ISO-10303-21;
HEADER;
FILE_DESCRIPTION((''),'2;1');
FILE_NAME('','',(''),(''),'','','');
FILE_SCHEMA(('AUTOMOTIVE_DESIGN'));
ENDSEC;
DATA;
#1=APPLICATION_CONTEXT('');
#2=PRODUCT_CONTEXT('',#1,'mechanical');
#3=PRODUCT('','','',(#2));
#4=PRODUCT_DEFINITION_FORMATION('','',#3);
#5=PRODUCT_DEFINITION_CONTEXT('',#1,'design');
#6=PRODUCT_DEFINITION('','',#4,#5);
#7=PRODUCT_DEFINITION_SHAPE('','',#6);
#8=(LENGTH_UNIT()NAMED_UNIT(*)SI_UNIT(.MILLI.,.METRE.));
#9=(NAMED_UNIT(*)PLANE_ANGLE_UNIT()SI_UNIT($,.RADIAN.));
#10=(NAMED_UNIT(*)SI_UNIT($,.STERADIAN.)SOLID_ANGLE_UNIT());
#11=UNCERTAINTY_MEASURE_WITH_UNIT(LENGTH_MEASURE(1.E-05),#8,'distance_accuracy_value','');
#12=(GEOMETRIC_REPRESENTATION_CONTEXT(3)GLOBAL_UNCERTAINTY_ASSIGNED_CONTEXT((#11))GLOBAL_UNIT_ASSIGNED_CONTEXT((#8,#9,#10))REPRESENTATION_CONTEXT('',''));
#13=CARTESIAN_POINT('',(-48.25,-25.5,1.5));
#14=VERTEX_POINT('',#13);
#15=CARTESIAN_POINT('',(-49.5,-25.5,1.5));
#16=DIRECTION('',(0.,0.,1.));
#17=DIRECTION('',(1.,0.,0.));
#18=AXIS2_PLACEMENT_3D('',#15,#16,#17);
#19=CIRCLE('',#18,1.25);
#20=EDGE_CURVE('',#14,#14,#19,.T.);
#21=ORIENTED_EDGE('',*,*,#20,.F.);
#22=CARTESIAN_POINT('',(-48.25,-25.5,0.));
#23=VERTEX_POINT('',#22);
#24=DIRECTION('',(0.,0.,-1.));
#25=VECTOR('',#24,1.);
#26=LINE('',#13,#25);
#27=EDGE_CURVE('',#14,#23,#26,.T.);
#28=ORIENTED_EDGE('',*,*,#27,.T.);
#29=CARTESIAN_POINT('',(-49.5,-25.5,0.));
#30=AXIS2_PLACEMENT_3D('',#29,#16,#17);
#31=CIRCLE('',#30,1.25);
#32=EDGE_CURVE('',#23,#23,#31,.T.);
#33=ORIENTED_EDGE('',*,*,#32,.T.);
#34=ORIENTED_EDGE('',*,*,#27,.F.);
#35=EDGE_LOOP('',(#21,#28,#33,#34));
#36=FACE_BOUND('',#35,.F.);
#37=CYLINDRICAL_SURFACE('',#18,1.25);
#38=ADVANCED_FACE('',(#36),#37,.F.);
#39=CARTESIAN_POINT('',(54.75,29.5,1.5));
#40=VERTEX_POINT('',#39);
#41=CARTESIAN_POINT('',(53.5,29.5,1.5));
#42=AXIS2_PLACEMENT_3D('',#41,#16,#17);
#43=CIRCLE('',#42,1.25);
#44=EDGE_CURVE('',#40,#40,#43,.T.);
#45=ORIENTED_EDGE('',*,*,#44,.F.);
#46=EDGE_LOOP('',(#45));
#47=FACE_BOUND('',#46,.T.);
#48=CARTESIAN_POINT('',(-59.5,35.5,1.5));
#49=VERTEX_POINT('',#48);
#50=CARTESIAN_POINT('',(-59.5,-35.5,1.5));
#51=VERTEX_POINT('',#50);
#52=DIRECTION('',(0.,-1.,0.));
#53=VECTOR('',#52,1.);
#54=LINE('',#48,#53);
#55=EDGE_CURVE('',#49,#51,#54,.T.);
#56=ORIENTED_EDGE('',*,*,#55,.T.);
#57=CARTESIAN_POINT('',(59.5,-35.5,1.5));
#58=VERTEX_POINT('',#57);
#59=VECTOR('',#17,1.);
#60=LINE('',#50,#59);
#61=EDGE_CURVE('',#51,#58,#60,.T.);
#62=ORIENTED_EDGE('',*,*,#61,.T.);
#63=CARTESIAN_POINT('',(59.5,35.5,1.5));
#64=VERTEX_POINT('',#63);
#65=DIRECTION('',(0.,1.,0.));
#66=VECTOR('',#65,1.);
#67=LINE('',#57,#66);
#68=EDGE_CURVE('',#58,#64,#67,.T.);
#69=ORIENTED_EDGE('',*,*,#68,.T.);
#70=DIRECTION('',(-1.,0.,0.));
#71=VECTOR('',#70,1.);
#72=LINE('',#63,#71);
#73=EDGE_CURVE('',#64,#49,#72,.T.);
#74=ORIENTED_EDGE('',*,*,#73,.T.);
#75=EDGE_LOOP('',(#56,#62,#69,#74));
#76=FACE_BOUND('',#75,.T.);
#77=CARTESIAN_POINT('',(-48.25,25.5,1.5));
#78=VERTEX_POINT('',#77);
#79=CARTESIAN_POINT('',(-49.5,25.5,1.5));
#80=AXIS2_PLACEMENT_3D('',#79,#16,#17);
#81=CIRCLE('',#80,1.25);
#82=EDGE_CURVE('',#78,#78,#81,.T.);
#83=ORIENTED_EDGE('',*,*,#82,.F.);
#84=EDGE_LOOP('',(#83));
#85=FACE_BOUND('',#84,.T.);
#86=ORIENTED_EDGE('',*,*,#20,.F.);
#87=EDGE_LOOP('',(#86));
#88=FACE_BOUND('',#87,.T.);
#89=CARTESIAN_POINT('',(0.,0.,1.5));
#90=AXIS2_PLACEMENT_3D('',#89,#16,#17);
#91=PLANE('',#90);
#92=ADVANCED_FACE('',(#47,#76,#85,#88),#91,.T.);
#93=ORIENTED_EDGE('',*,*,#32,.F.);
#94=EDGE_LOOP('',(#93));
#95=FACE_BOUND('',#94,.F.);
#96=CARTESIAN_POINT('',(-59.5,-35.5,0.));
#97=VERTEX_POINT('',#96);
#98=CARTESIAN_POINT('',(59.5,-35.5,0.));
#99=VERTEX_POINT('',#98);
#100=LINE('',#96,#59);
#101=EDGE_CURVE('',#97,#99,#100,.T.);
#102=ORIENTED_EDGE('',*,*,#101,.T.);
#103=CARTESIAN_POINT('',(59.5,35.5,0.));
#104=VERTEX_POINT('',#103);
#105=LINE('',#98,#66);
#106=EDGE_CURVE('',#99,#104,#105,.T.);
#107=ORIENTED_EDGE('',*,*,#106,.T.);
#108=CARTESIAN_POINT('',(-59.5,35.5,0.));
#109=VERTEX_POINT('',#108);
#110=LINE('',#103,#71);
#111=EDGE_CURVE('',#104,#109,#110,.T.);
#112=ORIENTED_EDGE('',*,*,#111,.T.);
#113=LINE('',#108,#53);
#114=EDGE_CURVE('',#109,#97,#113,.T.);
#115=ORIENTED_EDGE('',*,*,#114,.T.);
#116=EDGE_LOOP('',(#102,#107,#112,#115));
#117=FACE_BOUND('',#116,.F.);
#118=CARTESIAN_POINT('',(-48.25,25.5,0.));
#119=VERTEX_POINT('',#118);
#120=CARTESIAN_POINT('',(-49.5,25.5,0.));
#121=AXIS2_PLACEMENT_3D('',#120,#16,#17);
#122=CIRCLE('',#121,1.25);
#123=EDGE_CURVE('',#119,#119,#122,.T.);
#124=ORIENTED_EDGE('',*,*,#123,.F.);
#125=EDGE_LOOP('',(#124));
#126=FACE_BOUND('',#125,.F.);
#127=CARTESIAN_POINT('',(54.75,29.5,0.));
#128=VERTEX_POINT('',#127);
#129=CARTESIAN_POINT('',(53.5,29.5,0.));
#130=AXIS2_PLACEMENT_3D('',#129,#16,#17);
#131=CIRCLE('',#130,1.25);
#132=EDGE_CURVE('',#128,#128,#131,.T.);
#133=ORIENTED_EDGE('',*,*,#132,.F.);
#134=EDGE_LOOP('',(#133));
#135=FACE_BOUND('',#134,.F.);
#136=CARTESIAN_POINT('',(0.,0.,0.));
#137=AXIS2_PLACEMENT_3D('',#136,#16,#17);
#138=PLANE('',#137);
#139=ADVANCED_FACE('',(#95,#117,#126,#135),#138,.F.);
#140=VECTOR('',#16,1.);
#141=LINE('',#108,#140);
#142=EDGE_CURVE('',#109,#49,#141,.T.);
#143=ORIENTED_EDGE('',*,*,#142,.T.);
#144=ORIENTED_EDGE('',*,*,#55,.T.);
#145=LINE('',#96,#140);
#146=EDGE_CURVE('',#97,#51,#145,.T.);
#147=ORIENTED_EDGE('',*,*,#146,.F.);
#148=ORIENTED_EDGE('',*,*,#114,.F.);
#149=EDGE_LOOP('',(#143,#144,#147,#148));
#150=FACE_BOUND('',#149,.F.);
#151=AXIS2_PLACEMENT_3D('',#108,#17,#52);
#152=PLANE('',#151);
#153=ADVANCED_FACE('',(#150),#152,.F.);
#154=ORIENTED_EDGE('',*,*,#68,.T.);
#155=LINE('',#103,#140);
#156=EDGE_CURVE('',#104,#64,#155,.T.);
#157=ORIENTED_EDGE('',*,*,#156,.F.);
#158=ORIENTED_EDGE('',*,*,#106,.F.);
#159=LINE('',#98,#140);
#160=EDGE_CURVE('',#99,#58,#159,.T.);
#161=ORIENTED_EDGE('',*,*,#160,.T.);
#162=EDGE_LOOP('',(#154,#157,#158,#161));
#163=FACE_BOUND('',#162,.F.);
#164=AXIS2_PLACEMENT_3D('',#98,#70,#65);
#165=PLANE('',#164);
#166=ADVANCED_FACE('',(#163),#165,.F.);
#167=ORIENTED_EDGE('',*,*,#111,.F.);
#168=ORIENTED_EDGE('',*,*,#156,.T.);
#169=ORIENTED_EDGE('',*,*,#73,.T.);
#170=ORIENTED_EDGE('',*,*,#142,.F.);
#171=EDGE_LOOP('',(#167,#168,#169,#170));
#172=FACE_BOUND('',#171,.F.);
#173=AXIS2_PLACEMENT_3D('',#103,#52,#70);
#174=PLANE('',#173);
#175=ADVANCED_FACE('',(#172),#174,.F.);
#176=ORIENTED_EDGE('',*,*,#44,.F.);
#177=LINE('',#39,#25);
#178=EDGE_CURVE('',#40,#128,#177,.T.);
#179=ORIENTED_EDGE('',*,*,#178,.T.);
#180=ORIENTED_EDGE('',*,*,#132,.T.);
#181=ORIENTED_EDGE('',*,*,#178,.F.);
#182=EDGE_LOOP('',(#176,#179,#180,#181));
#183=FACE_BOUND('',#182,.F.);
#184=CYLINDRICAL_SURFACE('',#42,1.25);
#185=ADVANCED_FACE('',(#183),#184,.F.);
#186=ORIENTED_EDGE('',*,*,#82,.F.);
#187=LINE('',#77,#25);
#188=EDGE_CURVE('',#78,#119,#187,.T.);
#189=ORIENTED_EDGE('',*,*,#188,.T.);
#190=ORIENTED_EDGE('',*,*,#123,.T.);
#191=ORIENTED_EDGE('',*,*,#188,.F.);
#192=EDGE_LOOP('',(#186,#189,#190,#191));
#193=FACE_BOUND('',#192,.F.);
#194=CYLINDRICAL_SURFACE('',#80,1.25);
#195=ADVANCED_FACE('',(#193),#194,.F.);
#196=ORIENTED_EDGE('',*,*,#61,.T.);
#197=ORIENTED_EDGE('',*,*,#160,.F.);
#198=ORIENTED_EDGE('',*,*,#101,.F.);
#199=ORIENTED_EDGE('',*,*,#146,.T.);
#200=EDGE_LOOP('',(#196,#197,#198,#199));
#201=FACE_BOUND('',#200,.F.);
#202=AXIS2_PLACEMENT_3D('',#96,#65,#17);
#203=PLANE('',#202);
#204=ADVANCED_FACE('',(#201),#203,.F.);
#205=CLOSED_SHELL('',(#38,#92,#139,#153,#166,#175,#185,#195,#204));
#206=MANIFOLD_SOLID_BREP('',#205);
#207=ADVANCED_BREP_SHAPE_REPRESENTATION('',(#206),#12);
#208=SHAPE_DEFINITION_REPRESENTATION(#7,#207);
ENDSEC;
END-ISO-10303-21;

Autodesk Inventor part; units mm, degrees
ref_plane "YZ Plane" through (0, 0, 0) normal (1, 0, 0) x (0, 1, 0)
ref_plane "XZ Plane" through (0, 0, 0) normal (0, 1, 0) x (-1, 0, 0)
ref_plane "XY Plane" through (0, 0, 0) normal (0, 0, 1) x (1, 0, 0)
sketch "Schizzo1" plane through (0, 0, 0) normal (0, 0, 1) x (1, 0, 0)
  line L0 (-59.5, -35.5) -> (59.5, -35.5)
  line L1 (59.5, -35.5) -> (59.5, 35.5)
  line L2 (59.5, 35.5) -> (-59.5, 35.5)
  line L3 (-59.5, 35.5) -> (-59.5, -35.5)
  line L4 (-59.5, -35.5) -> (59.5, 35.5) construction
  line L5 (59.5, -35.5) -> (-59.5, 35.5) construction
  point P0 (0, 0)
  dimension "d0" = 119
  dimension "d1" = 71
extrude "Estrusione1" add sketch "Schizzo1" along normal blind 1.5
sketch "Schizzo4" plane through (0, 0, 1.5) normal (0, 0, 1) x (1, 0, 0)
  line L0 (59.5, 35.5) -> (-59.5, 35.5) projected
  line L1 (59.5, -35.5) -> (59.5, 35.5) projected
  line L2 (-59.5, -35.5) -> (59.5, -35.5) projected
  circle A0 centre (-49.5, 25.5) radius 1.25
  circle A1 centre (-49.5, -25.5) radius 1.25
  line L3 (-59.5, 35.5) -> (-59.5, -35.5) projected
  circle A2 centre (53.5, 29.5) radius 1.25
  point P0 (0, 0)
  dimension "d17" = 2.5
  dimension "d18" = 2.5
  dimension "d19" = 10
  dimension "d20" = 10
  dimension "d21" = 10
  dimension "d22" = 10
  dimension "d24" = 2.5
  dimension "d27" = 6
  dimension "d28" = 6
extrude "Estrusione3" cut sketch "Schizzo4" against normal blind 1.5 contours A0 | A1 | A2
properties part number "PCB"
